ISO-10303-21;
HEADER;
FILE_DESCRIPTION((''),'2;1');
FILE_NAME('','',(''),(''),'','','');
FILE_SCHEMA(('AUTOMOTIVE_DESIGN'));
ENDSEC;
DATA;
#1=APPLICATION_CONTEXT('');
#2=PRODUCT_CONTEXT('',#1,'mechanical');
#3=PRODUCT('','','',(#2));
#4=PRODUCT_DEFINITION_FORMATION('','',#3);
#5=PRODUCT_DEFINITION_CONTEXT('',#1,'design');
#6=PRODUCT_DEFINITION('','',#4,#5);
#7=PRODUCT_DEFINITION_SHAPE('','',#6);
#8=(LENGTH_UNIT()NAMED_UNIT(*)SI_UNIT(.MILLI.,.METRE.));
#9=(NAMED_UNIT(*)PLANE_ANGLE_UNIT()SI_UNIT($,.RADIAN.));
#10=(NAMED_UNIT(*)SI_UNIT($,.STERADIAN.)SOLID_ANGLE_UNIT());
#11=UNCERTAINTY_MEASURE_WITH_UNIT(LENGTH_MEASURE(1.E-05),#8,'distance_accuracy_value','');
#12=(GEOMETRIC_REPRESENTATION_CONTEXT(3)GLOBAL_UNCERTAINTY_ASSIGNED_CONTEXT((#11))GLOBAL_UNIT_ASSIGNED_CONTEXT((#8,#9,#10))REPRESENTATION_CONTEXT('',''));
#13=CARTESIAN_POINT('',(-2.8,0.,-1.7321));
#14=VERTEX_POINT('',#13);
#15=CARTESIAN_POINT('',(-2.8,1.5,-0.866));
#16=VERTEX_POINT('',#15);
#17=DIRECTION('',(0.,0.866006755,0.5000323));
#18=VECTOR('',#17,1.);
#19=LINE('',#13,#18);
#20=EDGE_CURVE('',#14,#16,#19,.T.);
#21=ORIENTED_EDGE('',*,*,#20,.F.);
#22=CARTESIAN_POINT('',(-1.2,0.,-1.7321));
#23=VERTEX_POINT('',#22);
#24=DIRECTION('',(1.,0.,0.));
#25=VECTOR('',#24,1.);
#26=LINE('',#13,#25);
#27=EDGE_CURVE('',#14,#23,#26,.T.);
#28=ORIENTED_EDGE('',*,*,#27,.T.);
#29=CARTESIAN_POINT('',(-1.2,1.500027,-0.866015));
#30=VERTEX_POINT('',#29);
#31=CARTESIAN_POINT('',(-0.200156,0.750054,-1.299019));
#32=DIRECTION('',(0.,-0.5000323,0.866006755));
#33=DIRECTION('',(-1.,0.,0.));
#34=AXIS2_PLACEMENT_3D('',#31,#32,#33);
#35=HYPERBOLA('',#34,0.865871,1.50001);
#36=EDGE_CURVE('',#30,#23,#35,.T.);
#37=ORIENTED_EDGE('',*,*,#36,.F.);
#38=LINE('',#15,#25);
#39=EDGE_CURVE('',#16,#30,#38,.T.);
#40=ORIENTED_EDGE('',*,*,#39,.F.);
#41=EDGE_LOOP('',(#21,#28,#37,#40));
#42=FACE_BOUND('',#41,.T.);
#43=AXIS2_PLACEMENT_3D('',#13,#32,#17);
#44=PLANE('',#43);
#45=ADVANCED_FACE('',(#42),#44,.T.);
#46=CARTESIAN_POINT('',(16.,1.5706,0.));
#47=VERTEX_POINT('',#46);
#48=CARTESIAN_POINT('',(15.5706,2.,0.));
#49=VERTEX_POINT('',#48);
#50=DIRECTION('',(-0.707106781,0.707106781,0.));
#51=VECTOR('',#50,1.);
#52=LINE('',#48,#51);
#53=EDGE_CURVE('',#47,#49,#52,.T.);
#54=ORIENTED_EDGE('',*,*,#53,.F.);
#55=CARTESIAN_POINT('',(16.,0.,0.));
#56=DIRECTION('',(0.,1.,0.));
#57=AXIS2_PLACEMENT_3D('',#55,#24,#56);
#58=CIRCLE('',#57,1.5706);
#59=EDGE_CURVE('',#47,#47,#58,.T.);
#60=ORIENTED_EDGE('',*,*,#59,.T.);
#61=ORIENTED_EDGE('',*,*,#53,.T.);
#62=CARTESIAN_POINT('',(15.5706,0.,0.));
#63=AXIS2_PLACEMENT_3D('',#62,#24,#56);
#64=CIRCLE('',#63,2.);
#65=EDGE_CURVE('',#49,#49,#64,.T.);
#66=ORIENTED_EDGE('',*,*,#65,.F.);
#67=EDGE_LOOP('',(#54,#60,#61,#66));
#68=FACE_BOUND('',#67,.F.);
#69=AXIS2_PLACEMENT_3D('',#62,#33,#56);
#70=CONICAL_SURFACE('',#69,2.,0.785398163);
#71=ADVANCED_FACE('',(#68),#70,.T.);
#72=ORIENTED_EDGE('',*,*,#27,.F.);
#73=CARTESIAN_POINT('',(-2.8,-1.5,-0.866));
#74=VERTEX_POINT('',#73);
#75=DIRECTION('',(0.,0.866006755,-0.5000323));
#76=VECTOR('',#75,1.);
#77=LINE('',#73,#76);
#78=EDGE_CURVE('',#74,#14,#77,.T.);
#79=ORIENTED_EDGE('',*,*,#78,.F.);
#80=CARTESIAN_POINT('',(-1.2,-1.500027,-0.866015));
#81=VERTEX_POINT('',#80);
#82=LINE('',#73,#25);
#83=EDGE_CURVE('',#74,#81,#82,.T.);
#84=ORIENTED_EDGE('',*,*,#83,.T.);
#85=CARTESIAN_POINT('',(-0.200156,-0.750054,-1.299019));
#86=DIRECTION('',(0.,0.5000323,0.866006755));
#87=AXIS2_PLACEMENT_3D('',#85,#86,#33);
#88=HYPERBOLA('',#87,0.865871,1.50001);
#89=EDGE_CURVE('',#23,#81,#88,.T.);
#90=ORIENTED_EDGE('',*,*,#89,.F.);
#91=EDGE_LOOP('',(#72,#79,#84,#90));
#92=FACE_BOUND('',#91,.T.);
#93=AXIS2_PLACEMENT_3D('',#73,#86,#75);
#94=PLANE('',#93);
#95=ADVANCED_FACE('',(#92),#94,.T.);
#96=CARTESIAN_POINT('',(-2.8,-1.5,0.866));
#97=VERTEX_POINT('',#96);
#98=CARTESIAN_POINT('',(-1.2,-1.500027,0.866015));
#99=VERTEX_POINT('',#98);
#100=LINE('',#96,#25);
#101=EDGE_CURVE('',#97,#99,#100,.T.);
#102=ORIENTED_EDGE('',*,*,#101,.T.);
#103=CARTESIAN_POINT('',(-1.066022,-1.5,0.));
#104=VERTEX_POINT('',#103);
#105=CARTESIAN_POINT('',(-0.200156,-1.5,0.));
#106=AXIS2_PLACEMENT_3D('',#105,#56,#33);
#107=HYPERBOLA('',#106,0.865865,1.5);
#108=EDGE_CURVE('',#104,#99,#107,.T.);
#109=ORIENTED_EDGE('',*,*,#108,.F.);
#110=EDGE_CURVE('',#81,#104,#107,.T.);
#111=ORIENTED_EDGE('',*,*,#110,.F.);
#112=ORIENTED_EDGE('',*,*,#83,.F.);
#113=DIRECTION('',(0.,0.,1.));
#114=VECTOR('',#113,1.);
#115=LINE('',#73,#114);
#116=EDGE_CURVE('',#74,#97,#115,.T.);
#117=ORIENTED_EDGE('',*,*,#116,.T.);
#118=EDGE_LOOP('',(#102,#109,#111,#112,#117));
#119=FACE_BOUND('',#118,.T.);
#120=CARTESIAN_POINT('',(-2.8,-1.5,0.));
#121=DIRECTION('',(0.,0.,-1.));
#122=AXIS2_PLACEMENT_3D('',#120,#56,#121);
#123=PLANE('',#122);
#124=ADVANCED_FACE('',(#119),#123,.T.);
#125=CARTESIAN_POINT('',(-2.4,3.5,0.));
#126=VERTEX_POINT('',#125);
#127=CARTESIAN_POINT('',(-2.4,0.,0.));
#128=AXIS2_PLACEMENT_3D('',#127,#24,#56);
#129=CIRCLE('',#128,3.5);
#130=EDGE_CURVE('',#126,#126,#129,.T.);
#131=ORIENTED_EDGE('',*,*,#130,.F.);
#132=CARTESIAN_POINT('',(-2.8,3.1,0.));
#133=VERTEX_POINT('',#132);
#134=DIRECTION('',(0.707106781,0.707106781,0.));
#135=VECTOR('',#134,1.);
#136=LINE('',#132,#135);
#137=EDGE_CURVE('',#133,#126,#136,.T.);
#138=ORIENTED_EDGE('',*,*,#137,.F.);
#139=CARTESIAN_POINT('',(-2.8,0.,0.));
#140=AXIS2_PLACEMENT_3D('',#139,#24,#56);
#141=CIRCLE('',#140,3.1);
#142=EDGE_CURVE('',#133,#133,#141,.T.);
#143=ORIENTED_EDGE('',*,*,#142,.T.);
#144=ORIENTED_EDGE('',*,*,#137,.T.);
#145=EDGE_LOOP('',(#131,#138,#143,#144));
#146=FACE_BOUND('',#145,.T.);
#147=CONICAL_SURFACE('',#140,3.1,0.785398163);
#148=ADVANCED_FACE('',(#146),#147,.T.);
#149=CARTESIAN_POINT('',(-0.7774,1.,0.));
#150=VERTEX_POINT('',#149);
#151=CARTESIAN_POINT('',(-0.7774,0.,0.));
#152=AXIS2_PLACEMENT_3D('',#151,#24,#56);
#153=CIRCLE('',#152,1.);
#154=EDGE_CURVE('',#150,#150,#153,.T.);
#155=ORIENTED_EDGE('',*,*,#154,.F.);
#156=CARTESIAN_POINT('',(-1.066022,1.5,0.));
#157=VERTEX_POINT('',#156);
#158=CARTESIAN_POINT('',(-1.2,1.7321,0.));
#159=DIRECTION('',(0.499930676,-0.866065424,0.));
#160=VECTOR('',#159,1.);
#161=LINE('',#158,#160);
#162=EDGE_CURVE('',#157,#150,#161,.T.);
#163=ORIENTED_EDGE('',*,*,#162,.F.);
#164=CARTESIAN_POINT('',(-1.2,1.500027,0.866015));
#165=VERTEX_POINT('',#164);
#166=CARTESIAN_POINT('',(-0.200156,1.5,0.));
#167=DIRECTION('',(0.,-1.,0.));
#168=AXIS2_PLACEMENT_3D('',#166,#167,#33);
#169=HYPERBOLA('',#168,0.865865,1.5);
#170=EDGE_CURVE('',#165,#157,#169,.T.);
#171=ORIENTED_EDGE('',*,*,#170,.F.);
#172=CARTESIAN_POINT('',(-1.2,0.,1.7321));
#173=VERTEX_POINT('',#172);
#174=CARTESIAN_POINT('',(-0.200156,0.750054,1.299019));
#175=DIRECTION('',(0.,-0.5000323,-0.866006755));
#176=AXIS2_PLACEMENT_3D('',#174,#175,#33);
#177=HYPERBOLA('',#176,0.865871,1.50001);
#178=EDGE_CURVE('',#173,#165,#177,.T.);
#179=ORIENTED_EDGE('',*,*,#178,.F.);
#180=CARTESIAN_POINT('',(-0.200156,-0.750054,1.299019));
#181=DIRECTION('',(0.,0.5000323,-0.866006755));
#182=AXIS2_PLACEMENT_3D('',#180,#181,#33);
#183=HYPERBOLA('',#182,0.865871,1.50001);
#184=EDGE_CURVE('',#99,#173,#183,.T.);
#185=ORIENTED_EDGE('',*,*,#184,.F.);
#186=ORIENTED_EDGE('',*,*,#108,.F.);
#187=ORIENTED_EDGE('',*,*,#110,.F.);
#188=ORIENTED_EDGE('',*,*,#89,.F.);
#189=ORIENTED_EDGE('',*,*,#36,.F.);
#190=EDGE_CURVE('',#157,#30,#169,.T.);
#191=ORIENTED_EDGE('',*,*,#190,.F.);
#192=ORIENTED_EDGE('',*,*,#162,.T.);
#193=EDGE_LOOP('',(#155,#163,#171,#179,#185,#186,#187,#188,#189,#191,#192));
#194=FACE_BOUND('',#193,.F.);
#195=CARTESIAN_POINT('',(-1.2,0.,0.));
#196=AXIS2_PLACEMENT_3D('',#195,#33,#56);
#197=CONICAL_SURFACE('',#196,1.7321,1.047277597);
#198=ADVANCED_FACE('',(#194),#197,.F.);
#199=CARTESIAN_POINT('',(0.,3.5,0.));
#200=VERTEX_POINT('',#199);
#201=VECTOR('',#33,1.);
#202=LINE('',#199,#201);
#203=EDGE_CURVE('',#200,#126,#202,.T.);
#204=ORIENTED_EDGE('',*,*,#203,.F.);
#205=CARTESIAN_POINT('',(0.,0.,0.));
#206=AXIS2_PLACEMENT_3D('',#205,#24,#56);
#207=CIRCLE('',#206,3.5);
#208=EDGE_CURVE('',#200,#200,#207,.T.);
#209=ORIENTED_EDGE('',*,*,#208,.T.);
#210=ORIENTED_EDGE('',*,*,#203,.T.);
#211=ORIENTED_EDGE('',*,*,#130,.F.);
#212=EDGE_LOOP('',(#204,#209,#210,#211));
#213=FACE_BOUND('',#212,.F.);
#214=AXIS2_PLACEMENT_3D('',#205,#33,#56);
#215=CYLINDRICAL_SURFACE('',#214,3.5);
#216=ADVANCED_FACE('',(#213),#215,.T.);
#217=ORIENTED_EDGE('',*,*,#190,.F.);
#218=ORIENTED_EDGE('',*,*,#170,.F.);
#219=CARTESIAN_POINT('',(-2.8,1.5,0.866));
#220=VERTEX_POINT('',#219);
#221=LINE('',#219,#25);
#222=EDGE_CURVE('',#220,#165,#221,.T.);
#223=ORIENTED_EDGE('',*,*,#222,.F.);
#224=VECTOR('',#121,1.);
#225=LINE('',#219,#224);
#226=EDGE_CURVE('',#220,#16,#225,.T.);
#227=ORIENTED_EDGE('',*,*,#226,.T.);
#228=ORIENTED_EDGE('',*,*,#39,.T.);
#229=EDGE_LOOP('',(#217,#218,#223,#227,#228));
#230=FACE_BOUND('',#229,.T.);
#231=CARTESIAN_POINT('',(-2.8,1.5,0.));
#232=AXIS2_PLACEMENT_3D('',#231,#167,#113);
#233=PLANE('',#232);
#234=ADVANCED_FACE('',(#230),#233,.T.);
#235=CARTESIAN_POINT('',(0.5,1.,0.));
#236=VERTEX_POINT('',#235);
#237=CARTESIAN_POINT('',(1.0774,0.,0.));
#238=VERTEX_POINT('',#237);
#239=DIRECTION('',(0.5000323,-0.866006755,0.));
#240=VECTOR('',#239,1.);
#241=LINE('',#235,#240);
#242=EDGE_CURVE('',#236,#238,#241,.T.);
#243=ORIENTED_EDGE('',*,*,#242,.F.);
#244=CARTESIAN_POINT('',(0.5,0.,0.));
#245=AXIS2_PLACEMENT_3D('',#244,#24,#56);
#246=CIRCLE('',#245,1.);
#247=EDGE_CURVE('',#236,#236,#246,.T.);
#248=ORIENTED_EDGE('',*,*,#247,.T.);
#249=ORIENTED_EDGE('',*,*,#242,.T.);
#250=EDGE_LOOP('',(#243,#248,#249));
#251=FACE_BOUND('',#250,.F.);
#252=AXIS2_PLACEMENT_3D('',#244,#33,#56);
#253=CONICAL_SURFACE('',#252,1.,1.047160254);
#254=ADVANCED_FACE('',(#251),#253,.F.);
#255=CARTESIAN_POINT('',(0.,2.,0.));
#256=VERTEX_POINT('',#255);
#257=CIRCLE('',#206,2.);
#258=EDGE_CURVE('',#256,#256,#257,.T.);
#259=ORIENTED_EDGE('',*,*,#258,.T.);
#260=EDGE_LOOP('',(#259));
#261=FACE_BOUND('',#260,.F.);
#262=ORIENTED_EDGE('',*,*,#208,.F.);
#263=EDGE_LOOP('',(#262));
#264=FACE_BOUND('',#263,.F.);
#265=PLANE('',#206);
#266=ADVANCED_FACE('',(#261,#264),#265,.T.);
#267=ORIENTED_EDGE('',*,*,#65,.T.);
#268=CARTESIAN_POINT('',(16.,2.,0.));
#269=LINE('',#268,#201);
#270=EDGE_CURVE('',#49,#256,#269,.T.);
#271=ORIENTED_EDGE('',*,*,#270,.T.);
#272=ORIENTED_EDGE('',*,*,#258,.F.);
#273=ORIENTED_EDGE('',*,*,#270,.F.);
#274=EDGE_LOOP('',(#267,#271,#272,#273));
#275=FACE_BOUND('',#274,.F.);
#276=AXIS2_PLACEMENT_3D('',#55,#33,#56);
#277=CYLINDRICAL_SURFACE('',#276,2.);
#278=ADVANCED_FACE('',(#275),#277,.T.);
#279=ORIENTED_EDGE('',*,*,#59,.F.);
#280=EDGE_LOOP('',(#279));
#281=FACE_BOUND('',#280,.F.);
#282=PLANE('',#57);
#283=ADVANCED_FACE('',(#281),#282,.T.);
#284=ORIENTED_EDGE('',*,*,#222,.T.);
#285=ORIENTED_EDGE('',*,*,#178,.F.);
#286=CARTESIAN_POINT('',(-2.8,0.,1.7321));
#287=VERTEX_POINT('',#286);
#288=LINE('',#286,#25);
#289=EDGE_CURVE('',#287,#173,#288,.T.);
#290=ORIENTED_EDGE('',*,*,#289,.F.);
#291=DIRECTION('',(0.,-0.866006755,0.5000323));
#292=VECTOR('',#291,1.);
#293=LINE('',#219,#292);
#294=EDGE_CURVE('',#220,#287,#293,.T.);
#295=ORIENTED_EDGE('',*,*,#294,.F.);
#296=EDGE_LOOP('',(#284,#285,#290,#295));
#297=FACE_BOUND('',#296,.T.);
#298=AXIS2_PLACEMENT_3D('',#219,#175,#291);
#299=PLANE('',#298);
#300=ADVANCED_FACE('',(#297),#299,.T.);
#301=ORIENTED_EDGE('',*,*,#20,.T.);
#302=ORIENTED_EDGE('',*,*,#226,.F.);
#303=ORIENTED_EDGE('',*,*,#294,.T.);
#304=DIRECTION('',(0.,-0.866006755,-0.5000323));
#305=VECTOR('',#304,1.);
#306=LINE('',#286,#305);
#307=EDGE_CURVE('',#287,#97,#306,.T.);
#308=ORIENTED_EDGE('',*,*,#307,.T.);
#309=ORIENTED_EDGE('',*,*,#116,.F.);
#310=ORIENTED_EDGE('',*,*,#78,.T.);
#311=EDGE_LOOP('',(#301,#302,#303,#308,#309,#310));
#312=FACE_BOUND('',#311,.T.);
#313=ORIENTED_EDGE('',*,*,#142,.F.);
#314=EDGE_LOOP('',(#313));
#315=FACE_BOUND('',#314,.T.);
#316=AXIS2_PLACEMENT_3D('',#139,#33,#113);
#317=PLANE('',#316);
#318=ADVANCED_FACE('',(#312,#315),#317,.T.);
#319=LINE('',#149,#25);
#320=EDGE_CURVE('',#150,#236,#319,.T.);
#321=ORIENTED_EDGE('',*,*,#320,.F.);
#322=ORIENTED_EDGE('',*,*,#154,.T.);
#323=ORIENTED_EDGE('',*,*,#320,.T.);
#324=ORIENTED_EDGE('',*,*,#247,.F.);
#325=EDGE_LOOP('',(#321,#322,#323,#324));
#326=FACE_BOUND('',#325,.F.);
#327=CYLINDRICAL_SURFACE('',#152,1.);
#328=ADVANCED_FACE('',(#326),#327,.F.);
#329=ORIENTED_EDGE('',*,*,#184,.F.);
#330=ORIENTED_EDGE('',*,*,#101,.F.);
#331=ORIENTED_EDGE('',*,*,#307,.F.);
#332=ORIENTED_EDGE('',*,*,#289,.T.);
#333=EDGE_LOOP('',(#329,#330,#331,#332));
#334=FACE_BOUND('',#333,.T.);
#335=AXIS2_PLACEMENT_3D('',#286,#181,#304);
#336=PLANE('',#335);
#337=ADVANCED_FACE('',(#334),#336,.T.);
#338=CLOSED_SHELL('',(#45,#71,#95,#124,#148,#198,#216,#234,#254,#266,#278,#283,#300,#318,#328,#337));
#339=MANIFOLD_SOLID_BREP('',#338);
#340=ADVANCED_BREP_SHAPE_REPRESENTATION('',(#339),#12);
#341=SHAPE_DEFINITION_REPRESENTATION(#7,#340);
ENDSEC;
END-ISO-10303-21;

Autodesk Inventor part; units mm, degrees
ref_plane "YZ Plane" through (0, 0, 0) normal (1, 0, 0) x (0, 1, 0)
ref_plane "XZ Plane" through (0, 0, 0) normal (0, 1, 0) x (-1, 0, 0)
sketch "Эскиз1" plane through (0, 0, 0) normal (0, 0, 1) x (1, 0, 0)
  line L0 (1.0774, 0) -> (16, 0)
  line L1 (16, 0) -> (16, 2)
  line L2 (16, 2) -> (0, 2)
  line L3 (0, 2) -> (0, 3.5)
  line L4 (0, 3.5) -> (-2.8, 3.5)
  line L5 (-2.8, 3.5) -> (-2.8, 1.7321)
  line L6 (-2.8, 1.7321) -> (-1.2, 1.7321)
  line L7 (-1.2, 1.7321) -> (-0.7774, 1)
  line L8 (-6.56, 0) -> (19.76, 0) projected
  line L9 (0, -0.7) -> (0, 4.2) projected
  line L10 (-0.7774, 1) -> (0.5, 1)
  line L11 (0.5, 1) -> (1.0774, 0)
  line L12 (-2.8, 1.7321) -> (-2.8, 0) construction
  line L13 (-2.8, 3.1) -> (-2.4, 3.5)
  dimension "d0" = 2.8
  dimension "d1" = 1.6
  dimension "d2" = 60
  dimension "d3" = 4
  dimension "d4" = 3.4641
  dimension "d5" = 7
  dimension "d15" = 3.3
  dimension "d16" = 2
  dimension "d17" = 16
  dimension "d32" = 45
  dimension "d33" = 0.4
revolve "Базовый элемент" add sketch "Эскиз1" angle 360 about axis through (1.0774, 0, 0) along (1, 0, 0) contours L11 L10 L9 L2 L1 L0 | L10 L7 L6 L5 L13 L4 L3 L9 | L13 L5 L4
revolve "Фаска2" cut sketch "Эскиз1" angle 360 about axis through (-10, 0, 0) along (1, 0, 0) contours L13 L5 L4
sketch "Эскиз2" plane through (-2.8, 0, 0) normal (-1, 0, 0) x (0, 0, 1)
  circle A0 centre (0, 0) radius 1.7321 projected
  line L0 (0, -4.9) -> (0, 4.9) projected
  line L1 (-4.9, 0) -> (4.9, 0) projected
  line L2 (1.7321, 0) -> (0.866, -1.5)
  line L3 (0.866, -1.5) -> (-0.866, -1.5)
  line L4 (-0.866, -1.5) -> (-1.7321, 0)
  line L5 (-1.7321, 0) -> (-0.866, 1.5)
  line L6 (-0.866, 1.5) -> (0.866, 1.5)
  line L7 (0.866, 1.5) -> (1.7321, 0)
extrude "Паз" add sketch "Эскиз2" against normal up to next contours L7 A0 | A0 L2 | L6 L0 A0 | A0 L0 L3 | L0 L6 A0 | A0 L3 L0 | L4 A0 | A0 L5
thread "Резьба" size "M4x0.7" class "6g" standard "ISO Metric profile" length 12.5
chamfer "Фаска1" distance 0.4294 distance2 0.4294 1 edges at (16, -2, 0) measured on face at (16, 0.527, -0.2661)
ref_plane "Work Plane1" through (8, 0, 0) normal (0, 0.5, 0.866) x (1, 0, 0)
equation "\"d0\" = KOH"
equation "\"d1\" = INTI"
equation "\"d3\" = GD"
equation "\"d4\" = 1.1547 * SW"
equation "\"d5\" = KOD"
equation "\"d15\" = INFT"
equation "\"d16\" = SDT"
equation "\"d17\" = NLG"
equation "\"d33\" = Cham"
equation "\"d7\" = GEL"
equation "\"d9\" = -0.5 * SPD + 0.5 * GD"
equation "\"d12\" = GUL"
equation "\"GD\" = NND"
equation "\"NLG\" = 16"
equation "\"GEL\" = 12.5"
equation "\"KOD\" = 7"
equation "\"KOH\" = 2.8"
equation "\"GUL\" = 0.61345 * PTC"
equation "\"SW\" = 3"
equation "\"INTI\" = 1.6"
equation "\"SPD\" = NND - 1.2269 * PTC"
equation "\"SDT\" = 2"
equation "\"INFT\" = 3.3"
equation "\"Cham\" = 0.4"
equation "\"TOA\" = 30deg"
equation "\"GD1\" = THREADDIA - 1.2269 * PTC"
equation "\"THREADDIA\" = 4"
equation "\"BDM\" = NND"
equation "\"FAWI\" = 45deg"
equation "\"RR\" = 0.1 * NND"
equation "\"PTC\" = 0.7"
equation "\"NND\" = 4"
equation "\"FAWI1\" = 45deg"
equation "\"GAL\" = 0.61345 * PTC"
equation "\"E0\" = 1.155 * SW"
properties part number "DIN 6912 - M4 x 16" material "Сталь, мягкая"
